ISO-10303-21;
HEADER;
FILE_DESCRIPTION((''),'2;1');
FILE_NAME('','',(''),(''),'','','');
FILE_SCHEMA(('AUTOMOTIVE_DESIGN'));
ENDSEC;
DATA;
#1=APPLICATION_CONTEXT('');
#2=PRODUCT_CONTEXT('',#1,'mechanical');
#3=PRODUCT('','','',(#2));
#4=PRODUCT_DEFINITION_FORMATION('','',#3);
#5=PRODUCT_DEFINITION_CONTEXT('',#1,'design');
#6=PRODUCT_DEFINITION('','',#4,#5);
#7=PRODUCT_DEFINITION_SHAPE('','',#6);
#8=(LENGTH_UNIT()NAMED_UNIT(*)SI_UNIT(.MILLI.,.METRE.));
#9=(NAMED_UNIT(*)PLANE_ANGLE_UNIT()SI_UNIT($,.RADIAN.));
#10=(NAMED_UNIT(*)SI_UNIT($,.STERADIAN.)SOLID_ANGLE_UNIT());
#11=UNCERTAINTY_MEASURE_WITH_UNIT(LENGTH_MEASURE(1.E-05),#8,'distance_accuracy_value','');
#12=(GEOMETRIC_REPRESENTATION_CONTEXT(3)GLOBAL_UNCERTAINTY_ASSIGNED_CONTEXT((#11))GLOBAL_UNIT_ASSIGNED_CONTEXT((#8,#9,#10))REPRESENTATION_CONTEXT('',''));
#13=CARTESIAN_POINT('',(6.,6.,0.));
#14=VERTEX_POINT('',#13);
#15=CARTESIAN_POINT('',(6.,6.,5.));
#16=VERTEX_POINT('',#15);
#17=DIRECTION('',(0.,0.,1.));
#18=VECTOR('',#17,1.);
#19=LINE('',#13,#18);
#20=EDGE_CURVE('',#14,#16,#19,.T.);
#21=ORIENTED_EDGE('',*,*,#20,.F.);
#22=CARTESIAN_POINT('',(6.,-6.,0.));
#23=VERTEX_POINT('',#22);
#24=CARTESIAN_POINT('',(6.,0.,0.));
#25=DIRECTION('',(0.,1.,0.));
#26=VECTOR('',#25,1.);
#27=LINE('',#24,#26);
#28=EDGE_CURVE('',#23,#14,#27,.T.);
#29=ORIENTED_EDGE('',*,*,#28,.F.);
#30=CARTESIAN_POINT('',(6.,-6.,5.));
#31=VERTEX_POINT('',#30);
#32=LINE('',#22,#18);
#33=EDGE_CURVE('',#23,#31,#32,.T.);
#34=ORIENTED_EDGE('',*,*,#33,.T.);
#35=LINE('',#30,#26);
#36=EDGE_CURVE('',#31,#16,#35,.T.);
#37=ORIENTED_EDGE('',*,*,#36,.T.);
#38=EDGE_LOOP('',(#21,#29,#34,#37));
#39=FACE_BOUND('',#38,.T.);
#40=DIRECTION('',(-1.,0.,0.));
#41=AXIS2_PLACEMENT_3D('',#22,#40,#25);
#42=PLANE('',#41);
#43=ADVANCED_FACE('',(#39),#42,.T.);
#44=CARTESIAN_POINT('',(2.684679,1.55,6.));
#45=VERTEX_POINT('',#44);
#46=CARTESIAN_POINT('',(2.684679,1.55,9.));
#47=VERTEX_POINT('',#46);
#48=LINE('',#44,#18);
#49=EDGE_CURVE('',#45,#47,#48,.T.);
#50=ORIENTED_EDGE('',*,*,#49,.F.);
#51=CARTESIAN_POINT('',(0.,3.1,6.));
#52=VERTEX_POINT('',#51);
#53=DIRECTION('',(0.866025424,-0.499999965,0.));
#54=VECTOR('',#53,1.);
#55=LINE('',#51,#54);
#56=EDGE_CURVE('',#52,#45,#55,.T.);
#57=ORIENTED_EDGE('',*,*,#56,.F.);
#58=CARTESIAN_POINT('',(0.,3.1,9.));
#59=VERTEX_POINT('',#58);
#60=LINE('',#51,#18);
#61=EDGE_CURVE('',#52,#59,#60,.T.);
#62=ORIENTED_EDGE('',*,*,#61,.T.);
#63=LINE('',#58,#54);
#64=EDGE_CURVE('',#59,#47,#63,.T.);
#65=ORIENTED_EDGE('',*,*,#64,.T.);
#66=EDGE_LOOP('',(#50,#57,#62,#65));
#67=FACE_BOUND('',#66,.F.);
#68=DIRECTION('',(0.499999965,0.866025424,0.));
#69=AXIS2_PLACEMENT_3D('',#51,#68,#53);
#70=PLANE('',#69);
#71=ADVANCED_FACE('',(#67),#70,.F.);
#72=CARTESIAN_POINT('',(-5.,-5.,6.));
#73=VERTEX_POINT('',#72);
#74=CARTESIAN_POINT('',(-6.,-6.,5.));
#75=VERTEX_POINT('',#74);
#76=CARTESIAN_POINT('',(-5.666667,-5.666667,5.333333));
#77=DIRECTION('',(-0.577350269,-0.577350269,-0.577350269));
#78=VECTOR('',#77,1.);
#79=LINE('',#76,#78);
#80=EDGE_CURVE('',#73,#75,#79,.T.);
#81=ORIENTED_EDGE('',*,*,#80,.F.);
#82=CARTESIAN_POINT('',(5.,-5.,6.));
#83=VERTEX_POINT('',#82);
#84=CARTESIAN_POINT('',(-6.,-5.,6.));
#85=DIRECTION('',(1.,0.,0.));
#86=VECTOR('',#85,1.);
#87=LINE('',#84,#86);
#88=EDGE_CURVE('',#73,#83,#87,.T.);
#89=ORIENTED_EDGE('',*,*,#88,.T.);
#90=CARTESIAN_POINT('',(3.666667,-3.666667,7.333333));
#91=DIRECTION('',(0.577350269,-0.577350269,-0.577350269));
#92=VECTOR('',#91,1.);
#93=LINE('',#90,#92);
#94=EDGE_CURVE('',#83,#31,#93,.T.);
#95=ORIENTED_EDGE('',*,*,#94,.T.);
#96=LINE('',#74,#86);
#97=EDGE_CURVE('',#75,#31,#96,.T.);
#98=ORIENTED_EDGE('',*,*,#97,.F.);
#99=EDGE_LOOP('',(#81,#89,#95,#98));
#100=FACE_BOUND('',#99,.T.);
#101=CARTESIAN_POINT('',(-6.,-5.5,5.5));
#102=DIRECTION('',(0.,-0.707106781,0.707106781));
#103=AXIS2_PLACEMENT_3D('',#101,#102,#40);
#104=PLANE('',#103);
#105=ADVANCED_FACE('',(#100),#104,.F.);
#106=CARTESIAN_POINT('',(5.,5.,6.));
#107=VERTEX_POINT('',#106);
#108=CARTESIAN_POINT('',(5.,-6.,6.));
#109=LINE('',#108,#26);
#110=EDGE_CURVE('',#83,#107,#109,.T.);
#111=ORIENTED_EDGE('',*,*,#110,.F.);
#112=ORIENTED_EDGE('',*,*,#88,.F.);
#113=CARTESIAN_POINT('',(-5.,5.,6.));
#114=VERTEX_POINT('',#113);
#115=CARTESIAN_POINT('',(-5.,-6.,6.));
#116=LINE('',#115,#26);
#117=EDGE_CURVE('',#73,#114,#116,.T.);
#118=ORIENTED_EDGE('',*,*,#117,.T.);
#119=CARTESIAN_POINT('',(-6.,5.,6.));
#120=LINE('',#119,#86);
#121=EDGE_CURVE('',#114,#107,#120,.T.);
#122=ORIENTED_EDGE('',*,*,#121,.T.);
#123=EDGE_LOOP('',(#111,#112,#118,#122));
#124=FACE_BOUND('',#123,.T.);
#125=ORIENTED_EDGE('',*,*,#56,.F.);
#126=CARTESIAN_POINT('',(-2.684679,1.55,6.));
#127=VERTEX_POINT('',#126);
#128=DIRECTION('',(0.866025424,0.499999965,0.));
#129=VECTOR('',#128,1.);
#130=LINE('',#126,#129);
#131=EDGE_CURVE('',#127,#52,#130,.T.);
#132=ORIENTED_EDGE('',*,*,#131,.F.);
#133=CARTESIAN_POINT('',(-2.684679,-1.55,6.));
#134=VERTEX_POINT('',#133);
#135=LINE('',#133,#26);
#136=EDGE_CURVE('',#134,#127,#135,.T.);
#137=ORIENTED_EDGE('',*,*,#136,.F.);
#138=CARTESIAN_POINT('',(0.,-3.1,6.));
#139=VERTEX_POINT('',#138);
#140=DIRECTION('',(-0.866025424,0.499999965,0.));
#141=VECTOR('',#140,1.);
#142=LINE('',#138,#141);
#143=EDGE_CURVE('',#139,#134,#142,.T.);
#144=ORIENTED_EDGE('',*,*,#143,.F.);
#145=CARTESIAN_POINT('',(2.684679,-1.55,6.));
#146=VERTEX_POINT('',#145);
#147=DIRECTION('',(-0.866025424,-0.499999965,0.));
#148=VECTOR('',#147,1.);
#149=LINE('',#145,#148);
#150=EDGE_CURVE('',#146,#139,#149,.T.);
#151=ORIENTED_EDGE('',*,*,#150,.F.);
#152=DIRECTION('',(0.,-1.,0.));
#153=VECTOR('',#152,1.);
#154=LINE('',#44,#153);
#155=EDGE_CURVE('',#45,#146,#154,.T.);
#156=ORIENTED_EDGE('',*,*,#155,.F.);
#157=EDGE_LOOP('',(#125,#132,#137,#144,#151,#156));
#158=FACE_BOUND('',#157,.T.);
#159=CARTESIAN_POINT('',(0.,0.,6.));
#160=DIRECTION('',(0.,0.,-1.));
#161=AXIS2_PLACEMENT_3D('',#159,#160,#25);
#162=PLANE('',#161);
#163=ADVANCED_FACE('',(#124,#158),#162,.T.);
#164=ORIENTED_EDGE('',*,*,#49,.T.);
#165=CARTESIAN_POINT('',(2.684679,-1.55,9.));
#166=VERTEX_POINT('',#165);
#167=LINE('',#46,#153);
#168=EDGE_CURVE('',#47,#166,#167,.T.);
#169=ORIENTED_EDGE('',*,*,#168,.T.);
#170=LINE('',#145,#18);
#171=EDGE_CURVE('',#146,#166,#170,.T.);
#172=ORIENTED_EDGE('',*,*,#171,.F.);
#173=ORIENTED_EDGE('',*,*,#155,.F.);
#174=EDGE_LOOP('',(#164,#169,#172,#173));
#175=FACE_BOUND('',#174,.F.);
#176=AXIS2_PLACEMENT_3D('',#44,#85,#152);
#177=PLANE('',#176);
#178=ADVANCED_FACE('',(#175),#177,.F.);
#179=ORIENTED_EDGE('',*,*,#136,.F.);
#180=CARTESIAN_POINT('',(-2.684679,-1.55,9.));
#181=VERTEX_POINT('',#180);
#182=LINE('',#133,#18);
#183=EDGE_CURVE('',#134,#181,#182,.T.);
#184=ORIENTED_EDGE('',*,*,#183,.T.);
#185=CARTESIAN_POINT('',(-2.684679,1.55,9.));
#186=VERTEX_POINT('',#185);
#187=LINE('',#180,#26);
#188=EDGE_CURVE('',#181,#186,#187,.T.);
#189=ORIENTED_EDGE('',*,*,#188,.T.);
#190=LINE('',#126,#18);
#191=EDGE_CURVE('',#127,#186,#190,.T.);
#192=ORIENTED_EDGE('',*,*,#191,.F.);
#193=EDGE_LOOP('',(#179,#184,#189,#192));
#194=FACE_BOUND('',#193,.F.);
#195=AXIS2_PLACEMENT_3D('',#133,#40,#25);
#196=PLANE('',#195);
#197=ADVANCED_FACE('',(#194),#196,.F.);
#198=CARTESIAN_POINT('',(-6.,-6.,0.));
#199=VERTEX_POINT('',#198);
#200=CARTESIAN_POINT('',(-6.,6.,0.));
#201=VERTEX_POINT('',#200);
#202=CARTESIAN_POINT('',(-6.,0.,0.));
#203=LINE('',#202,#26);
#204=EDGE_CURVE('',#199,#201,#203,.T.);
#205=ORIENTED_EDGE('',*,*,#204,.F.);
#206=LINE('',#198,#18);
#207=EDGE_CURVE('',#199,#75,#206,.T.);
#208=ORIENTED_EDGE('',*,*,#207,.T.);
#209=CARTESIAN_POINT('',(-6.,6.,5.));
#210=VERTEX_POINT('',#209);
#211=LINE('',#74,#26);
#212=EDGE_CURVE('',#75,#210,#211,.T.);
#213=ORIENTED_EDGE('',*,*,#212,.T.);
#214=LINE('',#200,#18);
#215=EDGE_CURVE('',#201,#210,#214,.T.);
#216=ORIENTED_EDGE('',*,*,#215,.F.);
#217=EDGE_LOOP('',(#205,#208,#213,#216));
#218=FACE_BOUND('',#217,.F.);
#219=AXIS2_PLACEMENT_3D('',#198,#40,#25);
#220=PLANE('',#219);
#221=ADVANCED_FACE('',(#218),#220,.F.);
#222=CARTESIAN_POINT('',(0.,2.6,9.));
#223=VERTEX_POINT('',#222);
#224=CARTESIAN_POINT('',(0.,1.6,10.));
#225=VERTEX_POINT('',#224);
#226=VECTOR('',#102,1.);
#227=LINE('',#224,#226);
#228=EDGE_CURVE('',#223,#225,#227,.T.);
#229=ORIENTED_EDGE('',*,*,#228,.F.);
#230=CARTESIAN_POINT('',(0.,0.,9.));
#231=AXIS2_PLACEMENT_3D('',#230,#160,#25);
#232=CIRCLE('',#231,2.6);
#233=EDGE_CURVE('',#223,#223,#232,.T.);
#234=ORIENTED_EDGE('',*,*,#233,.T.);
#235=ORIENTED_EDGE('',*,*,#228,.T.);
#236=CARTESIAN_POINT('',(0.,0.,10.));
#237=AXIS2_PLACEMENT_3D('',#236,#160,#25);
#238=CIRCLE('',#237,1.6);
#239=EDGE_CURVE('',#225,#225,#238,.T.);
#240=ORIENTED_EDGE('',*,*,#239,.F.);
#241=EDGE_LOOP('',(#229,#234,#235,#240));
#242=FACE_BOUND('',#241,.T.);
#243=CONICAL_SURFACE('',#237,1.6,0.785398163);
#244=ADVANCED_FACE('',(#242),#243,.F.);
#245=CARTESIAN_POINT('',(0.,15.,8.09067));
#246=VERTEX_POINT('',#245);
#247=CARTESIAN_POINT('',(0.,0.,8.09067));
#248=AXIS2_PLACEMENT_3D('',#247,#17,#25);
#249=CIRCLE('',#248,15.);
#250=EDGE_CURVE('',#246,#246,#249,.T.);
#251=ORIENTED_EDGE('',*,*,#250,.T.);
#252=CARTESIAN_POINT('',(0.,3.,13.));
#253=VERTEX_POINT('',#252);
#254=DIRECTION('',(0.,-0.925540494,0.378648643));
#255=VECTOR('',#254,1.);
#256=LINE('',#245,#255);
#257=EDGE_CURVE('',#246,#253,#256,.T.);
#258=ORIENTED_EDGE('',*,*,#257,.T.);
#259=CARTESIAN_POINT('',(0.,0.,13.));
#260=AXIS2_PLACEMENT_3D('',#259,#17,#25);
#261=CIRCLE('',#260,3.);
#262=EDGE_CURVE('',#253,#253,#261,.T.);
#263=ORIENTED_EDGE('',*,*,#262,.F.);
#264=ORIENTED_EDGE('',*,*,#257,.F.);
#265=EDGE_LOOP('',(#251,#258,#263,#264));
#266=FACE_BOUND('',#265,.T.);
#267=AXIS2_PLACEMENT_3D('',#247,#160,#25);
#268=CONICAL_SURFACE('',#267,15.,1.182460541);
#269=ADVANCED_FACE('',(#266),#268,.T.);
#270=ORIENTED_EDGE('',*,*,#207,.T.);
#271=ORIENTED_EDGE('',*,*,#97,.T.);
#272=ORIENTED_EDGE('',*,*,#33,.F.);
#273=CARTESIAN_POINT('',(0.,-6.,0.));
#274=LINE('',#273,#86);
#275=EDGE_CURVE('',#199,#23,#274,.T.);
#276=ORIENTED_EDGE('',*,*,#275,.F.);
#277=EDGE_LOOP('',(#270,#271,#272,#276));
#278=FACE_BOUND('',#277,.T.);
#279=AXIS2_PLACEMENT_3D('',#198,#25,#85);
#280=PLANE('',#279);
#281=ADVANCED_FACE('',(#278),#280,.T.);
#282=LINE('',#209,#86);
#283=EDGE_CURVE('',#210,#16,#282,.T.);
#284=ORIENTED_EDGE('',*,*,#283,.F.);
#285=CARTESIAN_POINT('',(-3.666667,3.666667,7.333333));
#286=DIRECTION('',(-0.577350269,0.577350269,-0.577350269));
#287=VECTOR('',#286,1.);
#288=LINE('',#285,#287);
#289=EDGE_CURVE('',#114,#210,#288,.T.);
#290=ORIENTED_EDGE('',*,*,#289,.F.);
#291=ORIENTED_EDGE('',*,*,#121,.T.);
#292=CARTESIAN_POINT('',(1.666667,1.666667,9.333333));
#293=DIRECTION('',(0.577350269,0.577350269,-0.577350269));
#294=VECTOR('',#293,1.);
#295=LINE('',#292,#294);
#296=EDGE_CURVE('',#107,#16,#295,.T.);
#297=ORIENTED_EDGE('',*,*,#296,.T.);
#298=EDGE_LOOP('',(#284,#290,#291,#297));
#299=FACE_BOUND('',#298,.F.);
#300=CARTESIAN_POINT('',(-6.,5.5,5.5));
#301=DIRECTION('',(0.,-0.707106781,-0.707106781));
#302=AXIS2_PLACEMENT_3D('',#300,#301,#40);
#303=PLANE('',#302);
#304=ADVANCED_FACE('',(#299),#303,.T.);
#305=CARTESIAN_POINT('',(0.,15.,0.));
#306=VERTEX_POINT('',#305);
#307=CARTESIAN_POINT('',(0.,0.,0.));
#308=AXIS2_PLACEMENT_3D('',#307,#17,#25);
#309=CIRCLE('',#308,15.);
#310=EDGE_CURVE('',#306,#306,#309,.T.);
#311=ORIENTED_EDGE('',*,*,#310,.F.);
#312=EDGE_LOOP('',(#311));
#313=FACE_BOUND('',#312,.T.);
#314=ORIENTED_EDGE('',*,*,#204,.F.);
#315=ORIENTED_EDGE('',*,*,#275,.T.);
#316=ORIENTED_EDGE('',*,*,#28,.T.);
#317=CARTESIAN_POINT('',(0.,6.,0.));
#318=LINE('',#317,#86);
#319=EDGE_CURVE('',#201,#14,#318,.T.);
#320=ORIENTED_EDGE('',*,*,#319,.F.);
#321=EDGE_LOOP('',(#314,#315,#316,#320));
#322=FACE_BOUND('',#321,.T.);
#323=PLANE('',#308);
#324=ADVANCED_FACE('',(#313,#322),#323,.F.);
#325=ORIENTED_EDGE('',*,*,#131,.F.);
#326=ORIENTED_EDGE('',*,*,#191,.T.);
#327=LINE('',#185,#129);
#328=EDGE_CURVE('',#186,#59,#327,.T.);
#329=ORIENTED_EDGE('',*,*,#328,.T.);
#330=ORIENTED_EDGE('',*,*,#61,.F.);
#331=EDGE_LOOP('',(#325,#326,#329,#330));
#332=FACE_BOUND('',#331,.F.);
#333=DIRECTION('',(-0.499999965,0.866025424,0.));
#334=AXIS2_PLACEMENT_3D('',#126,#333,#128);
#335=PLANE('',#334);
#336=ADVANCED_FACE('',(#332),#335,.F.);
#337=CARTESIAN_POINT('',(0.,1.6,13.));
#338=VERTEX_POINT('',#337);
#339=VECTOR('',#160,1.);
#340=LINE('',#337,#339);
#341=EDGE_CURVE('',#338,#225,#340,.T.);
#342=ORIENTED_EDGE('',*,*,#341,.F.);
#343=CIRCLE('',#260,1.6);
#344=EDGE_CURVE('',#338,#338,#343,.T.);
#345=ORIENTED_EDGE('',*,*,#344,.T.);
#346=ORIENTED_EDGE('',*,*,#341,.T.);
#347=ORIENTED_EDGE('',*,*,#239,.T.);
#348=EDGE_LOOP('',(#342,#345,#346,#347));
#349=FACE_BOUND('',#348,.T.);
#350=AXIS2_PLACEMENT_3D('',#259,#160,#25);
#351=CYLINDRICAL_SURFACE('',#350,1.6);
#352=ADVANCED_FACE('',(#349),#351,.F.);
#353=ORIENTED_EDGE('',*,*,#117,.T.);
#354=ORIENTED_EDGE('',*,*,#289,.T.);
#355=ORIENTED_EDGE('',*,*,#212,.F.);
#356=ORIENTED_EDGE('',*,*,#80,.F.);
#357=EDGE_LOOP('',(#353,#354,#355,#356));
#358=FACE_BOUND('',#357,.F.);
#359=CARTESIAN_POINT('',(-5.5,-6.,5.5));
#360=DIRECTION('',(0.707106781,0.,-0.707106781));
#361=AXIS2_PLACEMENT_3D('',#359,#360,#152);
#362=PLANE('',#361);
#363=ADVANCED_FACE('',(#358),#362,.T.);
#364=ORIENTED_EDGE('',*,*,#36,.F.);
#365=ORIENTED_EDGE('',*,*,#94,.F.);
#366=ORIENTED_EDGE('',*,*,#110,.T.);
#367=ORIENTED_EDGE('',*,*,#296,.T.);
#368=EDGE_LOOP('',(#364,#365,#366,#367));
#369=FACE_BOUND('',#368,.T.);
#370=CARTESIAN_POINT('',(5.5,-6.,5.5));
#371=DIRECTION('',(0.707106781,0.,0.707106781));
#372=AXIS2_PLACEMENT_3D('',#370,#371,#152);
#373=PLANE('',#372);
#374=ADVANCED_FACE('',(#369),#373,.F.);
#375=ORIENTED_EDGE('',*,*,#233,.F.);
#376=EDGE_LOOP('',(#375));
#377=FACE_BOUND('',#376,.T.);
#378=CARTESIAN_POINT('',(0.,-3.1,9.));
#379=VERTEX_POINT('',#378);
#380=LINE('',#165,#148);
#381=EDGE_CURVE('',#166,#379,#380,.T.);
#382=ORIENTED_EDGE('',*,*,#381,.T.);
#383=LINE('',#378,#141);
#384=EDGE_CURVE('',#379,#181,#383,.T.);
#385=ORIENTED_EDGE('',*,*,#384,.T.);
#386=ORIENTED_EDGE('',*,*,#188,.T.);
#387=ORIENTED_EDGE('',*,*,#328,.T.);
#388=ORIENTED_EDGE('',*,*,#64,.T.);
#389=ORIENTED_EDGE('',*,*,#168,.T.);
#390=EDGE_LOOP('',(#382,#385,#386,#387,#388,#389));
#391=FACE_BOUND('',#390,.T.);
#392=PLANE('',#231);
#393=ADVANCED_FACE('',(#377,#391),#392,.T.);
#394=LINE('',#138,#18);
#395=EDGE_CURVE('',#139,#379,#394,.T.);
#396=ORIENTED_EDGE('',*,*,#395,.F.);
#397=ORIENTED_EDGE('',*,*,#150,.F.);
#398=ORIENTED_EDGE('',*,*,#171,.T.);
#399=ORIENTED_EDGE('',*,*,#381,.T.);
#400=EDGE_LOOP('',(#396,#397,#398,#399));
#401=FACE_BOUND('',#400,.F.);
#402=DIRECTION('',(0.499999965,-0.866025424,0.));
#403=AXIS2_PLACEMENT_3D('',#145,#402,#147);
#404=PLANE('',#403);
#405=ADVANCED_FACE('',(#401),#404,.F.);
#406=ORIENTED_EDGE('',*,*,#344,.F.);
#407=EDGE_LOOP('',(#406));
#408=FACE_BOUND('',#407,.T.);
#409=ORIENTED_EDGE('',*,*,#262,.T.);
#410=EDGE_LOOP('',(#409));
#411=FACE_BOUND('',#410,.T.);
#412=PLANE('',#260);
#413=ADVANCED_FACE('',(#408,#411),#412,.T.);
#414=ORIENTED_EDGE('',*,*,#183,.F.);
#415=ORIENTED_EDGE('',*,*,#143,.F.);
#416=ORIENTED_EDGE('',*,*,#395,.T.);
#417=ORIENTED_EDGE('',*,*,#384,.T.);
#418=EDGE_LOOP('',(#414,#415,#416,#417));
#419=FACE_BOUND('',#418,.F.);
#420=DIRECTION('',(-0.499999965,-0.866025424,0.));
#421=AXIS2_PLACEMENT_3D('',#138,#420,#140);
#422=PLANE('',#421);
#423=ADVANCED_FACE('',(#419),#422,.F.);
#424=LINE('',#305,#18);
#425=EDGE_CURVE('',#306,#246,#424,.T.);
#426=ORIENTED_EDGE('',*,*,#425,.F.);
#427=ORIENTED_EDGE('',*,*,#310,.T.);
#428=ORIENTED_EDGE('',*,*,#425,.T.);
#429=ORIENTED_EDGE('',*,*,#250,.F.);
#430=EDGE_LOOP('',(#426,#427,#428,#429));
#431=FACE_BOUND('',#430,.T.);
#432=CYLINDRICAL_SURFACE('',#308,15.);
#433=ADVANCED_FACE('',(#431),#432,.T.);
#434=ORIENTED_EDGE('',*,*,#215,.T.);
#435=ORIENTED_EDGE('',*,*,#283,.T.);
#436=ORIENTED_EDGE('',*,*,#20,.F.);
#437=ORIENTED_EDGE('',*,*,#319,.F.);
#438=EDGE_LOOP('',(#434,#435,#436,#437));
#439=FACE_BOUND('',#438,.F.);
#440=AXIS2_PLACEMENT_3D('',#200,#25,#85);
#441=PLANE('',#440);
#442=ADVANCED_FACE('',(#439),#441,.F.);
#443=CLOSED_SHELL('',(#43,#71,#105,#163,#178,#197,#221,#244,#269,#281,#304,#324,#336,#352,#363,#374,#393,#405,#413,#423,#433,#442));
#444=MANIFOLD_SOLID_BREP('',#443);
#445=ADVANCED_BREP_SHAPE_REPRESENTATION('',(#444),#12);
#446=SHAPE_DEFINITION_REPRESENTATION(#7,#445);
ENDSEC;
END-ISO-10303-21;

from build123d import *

# Parameters (mm, degrees)
SKETCH_W        = 12
SKETCH_H        = 12
POCKET_DEPTH    = 6
POCKET001_DEPTH = 3
CHAMFER_SIZE    = 1
CHAMFER001_SIZE = 1


with BuildPart() as part:
    # Sketch002 → Revolution (revolve)
    with BuildSketch(Plane.YZ):
        Polygon((1.6, 13), (1.6, 0), (15, 0), (15, 8.09067), (3, 13), align=None)
    revolve(axis=Axis((0, 0, 0), (0, 0, 1)))

    # Sketch (on Face2 of Revolution) → Pocket (cut)
    with BuildSketch(Plane.YX):
        Rectangle(SKETCH_W, SKETCH_H)
    extrude(amount=-POCKET_DEPTH, mode=Mode.SUBTRACT)

    # Sketch003 (on Face2 of Pocket) → Pocket001 (cut)
    with BuildSketch(Plane.YX.offset(-6)):
        Polygon((3.1, 0), (1.55, 2.684679), (-1.55, 2.684679), (-3.1, 0), (-1.55, -2.684679), (1.55, -2.684679), align=None)
    extrude(amount=-POCKET001_DEPTH, mode=Mode.SUBTRACT)

    # Chamfer
    chamfer_edges = [part.edges().sort_by_distance(p)[0] for p in [
        (0, -6, 6),
        (0, 6, 6),
        (-6, 0, 6),
        (6, 0, 6),
    ]]
    chamfer(chamfer_edges, length=CHAMFER_SIZE)

    # Chamfer001
    chamfer001_edges = [part.edges().sort_by_distance(p)[0] for p in [
        (0, -1.6, 9),
    ]]
    chamfer(chamfer001_edges, length=CHAMFER001_SIZE)


solid = part.part
